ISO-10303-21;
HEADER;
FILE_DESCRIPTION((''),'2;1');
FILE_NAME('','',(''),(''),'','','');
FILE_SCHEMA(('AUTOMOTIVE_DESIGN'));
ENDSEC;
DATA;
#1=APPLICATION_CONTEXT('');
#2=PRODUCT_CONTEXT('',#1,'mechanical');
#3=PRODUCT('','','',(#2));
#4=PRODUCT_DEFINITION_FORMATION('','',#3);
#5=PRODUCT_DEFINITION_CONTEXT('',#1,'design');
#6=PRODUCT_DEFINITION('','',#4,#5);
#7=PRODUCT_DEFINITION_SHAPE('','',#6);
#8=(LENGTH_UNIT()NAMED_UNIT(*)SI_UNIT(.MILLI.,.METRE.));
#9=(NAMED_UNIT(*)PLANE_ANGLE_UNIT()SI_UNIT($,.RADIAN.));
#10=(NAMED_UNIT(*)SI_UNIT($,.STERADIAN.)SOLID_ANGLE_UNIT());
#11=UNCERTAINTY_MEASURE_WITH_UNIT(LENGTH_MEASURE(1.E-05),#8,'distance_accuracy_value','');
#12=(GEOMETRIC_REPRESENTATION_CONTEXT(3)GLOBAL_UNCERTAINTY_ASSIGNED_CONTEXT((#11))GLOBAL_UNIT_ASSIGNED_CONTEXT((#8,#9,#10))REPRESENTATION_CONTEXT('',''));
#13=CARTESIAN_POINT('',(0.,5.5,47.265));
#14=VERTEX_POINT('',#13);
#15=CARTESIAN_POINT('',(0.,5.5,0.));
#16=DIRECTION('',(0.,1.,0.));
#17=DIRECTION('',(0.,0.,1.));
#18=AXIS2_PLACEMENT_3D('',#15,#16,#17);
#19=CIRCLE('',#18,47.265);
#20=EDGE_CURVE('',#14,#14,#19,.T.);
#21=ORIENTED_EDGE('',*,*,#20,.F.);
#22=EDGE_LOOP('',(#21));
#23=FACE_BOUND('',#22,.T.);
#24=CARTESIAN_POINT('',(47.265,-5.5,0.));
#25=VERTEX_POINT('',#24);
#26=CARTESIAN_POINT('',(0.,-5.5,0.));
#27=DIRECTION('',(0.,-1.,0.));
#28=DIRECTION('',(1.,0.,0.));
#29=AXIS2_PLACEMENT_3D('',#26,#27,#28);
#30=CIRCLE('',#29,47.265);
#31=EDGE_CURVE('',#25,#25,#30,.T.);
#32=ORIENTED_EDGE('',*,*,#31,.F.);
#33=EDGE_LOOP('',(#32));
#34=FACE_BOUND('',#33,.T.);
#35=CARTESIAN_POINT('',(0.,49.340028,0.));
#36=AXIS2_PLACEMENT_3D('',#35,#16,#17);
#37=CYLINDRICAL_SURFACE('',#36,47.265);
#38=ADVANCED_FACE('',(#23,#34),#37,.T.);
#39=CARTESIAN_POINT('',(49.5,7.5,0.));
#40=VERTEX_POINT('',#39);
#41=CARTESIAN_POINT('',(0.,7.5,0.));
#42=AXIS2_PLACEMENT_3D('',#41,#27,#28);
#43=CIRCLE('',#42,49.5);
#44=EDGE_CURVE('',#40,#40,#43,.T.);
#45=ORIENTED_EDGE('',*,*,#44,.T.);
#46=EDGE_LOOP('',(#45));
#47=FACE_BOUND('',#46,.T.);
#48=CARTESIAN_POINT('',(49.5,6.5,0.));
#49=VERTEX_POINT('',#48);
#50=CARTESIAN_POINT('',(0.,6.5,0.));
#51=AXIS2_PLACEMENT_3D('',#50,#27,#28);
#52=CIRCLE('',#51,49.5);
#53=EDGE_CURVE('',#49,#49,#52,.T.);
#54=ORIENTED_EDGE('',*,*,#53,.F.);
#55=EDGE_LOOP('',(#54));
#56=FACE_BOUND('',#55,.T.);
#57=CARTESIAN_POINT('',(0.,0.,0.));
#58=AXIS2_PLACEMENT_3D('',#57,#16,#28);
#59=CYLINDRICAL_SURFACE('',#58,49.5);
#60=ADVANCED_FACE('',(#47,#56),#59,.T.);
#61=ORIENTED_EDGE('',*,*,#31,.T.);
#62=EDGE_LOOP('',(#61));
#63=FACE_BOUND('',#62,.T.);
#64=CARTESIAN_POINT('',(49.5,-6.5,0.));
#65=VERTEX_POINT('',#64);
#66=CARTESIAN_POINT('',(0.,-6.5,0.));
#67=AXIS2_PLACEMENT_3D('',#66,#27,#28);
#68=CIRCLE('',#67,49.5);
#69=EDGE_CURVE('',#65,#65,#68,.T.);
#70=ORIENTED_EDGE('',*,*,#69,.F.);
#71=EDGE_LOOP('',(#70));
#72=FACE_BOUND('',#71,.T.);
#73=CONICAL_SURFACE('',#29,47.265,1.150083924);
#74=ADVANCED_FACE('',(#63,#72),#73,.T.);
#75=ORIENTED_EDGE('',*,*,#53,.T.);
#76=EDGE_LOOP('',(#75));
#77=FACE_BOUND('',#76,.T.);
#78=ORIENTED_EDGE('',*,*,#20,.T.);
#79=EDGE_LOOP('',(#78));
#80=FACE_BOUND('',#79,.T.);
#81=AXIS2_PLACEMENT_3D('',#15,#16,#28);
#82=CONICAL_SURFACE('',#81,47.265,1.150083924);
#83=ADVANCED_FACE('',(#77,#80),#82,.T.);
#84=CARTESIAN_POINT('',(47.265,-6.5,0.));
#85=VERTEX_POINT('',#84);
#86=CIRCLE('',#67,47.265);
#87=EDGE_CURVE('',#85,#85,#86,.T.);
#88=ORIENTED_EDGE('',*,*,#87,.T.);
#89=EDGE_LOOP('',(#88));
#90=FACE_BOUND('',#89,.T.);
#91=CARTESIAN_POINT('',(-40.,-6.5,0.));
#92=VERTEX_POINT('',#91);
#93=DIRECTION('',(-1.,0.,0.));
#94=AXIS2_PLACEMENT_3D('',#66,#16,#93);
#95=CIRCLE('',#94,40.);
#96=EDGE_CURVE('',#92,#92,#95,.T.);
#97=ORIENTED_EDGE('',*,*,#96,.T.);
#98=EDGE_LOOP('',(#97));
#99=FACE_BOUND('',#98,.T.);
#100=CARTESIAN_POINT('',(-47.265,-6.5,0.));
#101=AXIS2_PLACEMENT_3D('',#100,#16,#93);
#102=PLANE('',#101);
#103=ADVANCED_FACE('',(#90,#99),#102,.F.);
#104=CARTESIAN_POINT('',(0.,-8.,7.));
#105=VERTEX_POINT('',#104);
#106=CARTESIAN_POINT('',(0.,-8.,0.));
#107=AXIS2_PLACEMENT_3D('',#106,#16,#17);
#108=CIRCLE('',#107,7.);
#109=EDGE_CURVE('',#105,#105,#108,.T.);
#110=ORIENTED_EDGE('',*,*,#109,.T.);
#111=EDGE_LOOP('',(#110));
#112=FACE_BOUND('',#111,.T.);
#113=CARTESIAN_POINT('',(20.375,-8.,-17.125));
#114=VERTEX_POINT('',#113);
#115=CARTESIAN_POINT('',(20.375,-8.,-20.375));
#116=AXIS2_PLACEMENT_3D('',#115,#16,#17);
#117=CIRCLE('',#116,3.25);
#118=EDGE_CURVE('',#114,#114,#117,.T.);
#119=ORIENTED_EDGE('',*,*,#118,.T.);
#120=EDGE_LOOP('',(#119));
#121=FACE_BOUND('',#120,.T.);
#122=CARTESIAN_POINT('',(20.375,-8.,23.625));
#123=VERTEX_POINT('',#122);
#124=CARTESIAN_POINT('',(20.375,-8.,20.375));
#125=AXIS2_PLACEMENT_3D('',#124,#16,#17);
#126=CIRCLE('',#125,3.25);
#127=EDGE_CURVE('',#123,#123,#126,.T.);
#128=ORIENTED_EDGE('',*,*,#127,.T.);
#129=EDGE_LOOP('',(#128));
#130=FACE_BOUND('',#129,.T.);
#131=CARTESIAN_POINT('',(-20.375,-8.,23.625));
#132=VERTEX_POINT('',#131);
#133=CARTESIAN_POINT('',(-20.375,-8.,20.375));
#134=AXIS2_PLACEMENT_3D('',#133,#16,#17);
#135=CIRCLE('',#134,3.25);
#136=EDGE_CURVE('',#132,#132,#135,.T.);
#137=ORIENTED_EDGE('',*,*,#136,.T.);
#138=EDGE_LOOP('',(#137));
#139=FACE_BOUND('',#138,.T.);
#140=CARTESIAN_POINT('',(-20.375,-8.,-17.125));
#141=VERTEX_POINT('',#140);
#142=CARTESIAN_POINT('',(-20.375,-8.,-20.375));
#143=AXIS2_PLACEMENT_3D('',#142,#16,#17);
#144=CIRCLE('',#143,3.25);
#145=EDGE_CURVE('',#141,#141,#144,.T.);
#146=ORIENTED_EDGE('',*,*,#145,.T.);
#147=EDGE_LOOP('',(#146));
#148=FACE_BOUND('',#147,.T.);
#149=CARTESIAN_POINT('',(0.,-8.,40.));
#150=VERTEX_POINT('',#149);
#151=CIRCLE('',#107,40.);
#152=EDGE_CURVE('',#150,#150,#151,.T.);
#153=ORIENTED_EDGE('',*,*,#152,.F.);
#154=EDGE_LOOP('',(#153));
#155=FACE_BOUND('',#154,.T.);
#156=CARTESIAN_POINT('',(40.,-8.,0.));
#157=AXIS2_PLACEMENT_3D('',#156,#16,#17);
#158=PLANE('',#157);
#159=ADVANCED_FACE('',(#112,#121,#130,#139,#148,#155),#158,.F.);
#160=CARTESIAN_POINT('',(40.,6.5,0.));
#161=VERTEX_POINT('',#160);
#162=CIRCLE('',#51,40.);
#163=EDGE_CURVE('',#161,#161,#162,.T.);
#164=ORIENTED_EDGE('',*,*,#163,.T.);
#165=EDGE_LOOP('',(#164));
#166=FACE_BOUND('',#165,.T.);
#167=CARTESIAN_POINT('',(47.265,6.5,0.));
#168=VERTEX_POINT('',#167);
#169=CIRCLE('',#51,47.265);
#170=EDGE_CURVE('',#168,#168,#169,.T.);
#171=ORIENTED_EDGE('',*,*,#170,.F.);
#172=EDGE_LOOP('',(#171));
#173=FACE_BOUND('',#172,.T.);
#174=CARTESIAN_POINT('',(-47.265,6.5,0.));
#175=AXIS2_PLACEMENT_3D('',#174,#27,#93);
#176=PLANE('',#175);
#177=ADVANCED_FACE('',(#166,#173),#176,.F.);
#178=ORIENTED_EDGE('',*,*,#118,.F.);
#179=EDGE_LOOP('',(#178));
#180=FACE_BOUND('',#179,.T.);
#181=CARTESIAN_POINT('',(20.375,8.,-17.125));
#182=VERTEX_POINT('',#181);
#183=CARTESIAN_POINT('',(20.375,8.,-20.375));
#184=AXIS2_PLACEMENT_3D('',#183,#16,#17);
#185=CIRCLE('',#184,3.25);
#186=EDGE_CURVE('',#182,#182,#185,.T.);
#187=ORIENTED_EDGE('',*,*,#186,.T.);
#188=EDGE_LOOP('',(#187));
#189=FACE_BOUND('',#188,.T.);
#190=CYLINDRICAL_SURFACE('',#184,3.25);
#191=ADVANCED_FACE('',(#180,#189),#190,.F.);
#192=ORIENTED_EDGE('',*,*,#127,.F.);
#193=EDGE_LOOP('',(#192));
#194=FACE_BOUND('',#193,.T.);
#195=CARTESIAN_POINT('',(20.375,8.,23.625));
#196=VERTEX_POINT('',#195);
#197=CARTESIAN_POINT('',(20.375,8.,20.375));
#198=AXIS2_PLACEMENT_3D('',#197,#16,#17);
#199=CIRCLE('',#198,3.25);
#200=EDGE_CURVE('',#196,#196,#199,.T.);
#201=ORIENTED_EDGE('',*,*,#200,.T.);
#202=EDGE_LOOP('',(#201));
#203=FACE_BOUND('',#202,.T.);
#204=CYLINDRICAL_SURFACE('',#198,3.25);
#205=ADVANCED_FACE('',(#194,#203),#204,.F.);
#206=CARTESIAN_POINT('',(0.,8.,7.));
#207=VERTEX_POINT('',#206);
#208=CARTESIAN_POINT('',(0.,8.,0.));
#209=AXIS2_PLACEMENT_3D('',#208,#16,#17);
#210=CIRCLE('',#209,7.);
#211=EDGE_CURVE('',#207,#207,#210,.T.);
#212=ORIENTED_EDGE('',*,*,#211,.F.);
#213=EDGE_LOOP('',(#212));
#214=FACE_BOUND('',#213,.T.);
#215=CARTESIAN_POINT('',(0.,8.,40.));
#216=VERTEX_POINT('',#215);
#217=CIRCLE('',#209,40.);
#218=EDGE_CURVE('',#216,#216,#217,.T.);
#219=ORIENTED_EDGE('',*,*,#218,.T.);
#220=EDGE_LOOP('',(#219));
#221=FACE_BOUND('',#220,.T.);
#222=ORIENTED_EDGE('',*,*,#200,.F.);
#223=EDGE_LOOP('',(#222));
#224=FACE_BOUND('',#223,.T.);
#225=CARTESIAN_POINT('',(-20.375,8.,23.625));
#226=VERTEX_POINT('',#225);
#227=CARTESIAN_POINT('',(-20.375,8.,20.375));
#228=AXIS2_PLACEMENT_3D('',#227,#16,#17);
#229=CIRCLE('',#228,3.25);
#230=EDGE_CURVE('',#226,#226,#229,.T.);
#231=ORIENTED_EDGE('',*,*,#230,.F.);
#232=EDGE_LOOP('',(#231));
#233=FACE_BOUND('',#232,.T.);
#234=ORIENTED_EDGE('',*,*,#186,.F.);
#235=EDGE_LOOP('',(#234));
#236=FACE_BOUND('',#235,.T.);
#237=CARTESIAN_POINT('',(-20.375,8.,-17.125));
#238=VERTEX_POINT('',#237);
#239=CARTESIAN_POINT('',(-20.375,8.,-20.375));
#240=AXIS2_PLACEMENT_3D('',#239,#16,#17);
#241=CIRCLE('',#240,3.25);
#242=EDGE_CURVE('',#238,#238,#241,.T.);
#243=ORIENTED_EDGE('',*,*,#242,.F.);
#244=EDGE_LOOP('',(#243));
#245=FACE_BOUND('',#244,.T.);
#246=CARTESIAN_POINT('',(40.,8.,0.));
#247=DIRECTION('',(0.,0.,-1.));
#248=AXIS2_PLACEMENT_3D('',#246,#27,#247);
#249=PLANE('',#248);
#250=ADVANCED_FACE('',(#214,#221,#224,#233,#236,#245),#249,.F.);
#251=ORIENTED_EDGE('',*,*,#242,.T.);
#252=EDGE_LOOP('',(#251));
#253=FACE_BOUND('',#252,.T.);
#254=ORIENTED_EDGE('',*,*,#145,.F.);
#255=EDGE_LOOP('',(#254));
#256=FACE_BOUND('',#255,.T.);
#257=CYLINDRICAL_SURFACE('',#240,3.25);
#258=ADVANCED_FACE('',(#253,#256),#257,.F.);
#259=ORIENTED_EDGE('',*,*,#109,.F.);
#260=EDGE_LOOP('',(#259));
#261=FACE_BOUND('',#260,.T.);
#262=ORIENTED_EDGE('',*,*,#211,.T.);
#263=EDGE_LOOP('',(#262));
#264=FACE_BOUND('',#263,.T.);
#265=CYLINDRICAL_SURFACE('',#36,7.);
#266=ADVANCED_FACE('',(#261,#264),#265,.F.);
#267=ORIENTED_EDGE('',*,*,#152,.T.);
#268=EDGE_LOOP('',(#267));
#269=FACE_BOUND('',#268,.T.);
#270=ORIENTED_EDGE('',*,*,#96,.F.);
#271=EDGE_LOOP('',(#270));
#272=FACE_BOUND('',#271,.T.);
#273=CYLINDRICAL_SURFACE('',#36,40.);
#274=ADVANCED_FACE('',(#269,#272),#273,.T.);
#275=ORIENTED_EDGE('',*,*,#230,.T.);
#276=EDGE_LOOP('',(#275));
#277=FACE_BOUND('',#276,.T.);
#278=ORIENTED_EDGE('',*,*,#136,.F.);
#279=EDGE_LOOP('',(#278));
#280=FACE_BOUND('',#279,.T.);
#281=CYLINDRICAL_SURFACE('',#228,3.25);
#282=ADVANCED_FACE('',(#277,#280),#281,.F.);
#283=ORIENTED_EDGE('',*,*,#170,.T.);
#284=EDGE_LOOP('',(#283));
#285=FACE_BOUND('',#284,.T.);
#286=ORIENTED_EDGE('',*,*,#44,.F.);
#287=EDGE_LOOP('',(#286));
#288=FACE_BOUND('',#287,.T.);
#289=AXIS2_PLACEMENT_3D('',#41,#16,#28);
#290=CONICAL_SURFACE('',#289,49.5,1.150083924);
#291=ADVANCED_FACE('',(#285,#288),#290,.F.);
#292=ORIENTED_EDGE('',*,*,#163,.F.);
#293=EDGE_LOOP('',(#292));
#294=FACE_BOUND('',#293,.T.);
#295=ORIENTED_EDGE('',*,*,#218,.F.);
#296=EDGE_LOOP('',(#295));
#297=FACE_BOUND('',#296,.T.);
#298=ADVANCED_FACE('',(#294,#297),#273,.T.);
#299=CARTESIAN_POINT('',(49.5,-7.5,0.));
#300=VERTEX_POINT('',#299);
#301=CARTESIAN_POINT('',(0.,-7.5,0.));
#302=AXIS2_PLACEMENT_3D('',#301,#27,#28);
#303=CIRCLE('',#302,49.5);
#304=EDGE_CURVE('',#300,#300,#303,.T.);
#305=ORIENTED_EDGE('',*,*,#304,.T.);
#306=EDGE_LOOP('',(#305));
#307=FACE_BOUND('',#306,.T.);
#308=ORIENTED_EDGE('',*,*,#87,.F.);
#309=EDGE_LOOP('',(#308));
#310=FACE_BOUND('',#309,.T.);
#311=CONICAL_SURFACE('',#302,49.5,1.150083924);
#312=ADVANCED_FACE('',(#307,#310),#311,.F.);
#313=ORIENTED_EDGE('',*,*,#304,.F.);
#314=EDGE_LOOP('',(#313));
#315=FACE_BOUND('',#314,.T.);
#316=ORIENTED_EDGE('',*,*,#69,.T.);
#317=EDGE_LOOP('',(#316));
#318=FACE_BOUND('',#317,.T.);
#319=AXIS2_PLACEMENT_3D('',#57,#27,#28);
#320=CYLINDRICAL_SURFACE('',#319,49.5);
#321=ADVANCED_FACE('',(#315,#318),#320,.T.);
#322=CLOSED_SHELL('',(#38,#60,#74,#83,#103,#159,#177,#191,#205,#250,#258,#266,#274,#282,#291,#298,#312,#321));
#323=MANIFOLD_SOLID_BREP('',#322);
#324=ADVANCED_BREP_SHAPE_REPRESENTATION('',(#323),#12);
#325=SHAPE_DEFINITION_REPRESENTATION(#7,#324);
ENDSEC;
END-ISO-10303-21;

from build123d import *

# Parameters (mm, degrees)
HOLE_WIZARD_6_5_6_5_1_D = 6.5


with BuildPart() as part:
    # 草圖1 → 旋轉1 (revolve)
    with BuildSketch(Plane.XY):
        Polygon((7, -8), (7, 8), (40, 8), (40, 5.5), (47.265, 5.5), (47.265, -5.5), (40, -5.5), (40, -8), align=None)
    revolve(axis=Axis((0, 49.340027701, 0), (0, -1, 0)))

    # 草圖7 → 旋轉2 (revolve)
    with BuildSketch(Plane.XY):
        Polygon((-49.5, -6.5), (-47.265, -5.5), (-40, -5.5), (-40, -6.5), (-47.265, -6.5), (-49.5, -7.5), align=None)
    revolve_2 = revolve(axis=Axis((0, 0, 0), (0, 1, 0)))

    # 鏡射1: 旋轉2 across plane
    add(revolve_2.mirror(Plane.ZX))

    # Ø6.5 (6.5) 直徑孔1 (through all)
    with Locations(Plane(origin=(0, 8, 0), x_dir=(1, 0, 0), z_dir=(0, 1, 0))):
        with Locations((-20.375, 20.375), (20.375, 20.375), (20.375, -20.375), (-20.375, -20.375), (0, 0)):
            Hole(HOLE_WIZARD_6_5_6_5_1_D / 2)


solid = part.part
